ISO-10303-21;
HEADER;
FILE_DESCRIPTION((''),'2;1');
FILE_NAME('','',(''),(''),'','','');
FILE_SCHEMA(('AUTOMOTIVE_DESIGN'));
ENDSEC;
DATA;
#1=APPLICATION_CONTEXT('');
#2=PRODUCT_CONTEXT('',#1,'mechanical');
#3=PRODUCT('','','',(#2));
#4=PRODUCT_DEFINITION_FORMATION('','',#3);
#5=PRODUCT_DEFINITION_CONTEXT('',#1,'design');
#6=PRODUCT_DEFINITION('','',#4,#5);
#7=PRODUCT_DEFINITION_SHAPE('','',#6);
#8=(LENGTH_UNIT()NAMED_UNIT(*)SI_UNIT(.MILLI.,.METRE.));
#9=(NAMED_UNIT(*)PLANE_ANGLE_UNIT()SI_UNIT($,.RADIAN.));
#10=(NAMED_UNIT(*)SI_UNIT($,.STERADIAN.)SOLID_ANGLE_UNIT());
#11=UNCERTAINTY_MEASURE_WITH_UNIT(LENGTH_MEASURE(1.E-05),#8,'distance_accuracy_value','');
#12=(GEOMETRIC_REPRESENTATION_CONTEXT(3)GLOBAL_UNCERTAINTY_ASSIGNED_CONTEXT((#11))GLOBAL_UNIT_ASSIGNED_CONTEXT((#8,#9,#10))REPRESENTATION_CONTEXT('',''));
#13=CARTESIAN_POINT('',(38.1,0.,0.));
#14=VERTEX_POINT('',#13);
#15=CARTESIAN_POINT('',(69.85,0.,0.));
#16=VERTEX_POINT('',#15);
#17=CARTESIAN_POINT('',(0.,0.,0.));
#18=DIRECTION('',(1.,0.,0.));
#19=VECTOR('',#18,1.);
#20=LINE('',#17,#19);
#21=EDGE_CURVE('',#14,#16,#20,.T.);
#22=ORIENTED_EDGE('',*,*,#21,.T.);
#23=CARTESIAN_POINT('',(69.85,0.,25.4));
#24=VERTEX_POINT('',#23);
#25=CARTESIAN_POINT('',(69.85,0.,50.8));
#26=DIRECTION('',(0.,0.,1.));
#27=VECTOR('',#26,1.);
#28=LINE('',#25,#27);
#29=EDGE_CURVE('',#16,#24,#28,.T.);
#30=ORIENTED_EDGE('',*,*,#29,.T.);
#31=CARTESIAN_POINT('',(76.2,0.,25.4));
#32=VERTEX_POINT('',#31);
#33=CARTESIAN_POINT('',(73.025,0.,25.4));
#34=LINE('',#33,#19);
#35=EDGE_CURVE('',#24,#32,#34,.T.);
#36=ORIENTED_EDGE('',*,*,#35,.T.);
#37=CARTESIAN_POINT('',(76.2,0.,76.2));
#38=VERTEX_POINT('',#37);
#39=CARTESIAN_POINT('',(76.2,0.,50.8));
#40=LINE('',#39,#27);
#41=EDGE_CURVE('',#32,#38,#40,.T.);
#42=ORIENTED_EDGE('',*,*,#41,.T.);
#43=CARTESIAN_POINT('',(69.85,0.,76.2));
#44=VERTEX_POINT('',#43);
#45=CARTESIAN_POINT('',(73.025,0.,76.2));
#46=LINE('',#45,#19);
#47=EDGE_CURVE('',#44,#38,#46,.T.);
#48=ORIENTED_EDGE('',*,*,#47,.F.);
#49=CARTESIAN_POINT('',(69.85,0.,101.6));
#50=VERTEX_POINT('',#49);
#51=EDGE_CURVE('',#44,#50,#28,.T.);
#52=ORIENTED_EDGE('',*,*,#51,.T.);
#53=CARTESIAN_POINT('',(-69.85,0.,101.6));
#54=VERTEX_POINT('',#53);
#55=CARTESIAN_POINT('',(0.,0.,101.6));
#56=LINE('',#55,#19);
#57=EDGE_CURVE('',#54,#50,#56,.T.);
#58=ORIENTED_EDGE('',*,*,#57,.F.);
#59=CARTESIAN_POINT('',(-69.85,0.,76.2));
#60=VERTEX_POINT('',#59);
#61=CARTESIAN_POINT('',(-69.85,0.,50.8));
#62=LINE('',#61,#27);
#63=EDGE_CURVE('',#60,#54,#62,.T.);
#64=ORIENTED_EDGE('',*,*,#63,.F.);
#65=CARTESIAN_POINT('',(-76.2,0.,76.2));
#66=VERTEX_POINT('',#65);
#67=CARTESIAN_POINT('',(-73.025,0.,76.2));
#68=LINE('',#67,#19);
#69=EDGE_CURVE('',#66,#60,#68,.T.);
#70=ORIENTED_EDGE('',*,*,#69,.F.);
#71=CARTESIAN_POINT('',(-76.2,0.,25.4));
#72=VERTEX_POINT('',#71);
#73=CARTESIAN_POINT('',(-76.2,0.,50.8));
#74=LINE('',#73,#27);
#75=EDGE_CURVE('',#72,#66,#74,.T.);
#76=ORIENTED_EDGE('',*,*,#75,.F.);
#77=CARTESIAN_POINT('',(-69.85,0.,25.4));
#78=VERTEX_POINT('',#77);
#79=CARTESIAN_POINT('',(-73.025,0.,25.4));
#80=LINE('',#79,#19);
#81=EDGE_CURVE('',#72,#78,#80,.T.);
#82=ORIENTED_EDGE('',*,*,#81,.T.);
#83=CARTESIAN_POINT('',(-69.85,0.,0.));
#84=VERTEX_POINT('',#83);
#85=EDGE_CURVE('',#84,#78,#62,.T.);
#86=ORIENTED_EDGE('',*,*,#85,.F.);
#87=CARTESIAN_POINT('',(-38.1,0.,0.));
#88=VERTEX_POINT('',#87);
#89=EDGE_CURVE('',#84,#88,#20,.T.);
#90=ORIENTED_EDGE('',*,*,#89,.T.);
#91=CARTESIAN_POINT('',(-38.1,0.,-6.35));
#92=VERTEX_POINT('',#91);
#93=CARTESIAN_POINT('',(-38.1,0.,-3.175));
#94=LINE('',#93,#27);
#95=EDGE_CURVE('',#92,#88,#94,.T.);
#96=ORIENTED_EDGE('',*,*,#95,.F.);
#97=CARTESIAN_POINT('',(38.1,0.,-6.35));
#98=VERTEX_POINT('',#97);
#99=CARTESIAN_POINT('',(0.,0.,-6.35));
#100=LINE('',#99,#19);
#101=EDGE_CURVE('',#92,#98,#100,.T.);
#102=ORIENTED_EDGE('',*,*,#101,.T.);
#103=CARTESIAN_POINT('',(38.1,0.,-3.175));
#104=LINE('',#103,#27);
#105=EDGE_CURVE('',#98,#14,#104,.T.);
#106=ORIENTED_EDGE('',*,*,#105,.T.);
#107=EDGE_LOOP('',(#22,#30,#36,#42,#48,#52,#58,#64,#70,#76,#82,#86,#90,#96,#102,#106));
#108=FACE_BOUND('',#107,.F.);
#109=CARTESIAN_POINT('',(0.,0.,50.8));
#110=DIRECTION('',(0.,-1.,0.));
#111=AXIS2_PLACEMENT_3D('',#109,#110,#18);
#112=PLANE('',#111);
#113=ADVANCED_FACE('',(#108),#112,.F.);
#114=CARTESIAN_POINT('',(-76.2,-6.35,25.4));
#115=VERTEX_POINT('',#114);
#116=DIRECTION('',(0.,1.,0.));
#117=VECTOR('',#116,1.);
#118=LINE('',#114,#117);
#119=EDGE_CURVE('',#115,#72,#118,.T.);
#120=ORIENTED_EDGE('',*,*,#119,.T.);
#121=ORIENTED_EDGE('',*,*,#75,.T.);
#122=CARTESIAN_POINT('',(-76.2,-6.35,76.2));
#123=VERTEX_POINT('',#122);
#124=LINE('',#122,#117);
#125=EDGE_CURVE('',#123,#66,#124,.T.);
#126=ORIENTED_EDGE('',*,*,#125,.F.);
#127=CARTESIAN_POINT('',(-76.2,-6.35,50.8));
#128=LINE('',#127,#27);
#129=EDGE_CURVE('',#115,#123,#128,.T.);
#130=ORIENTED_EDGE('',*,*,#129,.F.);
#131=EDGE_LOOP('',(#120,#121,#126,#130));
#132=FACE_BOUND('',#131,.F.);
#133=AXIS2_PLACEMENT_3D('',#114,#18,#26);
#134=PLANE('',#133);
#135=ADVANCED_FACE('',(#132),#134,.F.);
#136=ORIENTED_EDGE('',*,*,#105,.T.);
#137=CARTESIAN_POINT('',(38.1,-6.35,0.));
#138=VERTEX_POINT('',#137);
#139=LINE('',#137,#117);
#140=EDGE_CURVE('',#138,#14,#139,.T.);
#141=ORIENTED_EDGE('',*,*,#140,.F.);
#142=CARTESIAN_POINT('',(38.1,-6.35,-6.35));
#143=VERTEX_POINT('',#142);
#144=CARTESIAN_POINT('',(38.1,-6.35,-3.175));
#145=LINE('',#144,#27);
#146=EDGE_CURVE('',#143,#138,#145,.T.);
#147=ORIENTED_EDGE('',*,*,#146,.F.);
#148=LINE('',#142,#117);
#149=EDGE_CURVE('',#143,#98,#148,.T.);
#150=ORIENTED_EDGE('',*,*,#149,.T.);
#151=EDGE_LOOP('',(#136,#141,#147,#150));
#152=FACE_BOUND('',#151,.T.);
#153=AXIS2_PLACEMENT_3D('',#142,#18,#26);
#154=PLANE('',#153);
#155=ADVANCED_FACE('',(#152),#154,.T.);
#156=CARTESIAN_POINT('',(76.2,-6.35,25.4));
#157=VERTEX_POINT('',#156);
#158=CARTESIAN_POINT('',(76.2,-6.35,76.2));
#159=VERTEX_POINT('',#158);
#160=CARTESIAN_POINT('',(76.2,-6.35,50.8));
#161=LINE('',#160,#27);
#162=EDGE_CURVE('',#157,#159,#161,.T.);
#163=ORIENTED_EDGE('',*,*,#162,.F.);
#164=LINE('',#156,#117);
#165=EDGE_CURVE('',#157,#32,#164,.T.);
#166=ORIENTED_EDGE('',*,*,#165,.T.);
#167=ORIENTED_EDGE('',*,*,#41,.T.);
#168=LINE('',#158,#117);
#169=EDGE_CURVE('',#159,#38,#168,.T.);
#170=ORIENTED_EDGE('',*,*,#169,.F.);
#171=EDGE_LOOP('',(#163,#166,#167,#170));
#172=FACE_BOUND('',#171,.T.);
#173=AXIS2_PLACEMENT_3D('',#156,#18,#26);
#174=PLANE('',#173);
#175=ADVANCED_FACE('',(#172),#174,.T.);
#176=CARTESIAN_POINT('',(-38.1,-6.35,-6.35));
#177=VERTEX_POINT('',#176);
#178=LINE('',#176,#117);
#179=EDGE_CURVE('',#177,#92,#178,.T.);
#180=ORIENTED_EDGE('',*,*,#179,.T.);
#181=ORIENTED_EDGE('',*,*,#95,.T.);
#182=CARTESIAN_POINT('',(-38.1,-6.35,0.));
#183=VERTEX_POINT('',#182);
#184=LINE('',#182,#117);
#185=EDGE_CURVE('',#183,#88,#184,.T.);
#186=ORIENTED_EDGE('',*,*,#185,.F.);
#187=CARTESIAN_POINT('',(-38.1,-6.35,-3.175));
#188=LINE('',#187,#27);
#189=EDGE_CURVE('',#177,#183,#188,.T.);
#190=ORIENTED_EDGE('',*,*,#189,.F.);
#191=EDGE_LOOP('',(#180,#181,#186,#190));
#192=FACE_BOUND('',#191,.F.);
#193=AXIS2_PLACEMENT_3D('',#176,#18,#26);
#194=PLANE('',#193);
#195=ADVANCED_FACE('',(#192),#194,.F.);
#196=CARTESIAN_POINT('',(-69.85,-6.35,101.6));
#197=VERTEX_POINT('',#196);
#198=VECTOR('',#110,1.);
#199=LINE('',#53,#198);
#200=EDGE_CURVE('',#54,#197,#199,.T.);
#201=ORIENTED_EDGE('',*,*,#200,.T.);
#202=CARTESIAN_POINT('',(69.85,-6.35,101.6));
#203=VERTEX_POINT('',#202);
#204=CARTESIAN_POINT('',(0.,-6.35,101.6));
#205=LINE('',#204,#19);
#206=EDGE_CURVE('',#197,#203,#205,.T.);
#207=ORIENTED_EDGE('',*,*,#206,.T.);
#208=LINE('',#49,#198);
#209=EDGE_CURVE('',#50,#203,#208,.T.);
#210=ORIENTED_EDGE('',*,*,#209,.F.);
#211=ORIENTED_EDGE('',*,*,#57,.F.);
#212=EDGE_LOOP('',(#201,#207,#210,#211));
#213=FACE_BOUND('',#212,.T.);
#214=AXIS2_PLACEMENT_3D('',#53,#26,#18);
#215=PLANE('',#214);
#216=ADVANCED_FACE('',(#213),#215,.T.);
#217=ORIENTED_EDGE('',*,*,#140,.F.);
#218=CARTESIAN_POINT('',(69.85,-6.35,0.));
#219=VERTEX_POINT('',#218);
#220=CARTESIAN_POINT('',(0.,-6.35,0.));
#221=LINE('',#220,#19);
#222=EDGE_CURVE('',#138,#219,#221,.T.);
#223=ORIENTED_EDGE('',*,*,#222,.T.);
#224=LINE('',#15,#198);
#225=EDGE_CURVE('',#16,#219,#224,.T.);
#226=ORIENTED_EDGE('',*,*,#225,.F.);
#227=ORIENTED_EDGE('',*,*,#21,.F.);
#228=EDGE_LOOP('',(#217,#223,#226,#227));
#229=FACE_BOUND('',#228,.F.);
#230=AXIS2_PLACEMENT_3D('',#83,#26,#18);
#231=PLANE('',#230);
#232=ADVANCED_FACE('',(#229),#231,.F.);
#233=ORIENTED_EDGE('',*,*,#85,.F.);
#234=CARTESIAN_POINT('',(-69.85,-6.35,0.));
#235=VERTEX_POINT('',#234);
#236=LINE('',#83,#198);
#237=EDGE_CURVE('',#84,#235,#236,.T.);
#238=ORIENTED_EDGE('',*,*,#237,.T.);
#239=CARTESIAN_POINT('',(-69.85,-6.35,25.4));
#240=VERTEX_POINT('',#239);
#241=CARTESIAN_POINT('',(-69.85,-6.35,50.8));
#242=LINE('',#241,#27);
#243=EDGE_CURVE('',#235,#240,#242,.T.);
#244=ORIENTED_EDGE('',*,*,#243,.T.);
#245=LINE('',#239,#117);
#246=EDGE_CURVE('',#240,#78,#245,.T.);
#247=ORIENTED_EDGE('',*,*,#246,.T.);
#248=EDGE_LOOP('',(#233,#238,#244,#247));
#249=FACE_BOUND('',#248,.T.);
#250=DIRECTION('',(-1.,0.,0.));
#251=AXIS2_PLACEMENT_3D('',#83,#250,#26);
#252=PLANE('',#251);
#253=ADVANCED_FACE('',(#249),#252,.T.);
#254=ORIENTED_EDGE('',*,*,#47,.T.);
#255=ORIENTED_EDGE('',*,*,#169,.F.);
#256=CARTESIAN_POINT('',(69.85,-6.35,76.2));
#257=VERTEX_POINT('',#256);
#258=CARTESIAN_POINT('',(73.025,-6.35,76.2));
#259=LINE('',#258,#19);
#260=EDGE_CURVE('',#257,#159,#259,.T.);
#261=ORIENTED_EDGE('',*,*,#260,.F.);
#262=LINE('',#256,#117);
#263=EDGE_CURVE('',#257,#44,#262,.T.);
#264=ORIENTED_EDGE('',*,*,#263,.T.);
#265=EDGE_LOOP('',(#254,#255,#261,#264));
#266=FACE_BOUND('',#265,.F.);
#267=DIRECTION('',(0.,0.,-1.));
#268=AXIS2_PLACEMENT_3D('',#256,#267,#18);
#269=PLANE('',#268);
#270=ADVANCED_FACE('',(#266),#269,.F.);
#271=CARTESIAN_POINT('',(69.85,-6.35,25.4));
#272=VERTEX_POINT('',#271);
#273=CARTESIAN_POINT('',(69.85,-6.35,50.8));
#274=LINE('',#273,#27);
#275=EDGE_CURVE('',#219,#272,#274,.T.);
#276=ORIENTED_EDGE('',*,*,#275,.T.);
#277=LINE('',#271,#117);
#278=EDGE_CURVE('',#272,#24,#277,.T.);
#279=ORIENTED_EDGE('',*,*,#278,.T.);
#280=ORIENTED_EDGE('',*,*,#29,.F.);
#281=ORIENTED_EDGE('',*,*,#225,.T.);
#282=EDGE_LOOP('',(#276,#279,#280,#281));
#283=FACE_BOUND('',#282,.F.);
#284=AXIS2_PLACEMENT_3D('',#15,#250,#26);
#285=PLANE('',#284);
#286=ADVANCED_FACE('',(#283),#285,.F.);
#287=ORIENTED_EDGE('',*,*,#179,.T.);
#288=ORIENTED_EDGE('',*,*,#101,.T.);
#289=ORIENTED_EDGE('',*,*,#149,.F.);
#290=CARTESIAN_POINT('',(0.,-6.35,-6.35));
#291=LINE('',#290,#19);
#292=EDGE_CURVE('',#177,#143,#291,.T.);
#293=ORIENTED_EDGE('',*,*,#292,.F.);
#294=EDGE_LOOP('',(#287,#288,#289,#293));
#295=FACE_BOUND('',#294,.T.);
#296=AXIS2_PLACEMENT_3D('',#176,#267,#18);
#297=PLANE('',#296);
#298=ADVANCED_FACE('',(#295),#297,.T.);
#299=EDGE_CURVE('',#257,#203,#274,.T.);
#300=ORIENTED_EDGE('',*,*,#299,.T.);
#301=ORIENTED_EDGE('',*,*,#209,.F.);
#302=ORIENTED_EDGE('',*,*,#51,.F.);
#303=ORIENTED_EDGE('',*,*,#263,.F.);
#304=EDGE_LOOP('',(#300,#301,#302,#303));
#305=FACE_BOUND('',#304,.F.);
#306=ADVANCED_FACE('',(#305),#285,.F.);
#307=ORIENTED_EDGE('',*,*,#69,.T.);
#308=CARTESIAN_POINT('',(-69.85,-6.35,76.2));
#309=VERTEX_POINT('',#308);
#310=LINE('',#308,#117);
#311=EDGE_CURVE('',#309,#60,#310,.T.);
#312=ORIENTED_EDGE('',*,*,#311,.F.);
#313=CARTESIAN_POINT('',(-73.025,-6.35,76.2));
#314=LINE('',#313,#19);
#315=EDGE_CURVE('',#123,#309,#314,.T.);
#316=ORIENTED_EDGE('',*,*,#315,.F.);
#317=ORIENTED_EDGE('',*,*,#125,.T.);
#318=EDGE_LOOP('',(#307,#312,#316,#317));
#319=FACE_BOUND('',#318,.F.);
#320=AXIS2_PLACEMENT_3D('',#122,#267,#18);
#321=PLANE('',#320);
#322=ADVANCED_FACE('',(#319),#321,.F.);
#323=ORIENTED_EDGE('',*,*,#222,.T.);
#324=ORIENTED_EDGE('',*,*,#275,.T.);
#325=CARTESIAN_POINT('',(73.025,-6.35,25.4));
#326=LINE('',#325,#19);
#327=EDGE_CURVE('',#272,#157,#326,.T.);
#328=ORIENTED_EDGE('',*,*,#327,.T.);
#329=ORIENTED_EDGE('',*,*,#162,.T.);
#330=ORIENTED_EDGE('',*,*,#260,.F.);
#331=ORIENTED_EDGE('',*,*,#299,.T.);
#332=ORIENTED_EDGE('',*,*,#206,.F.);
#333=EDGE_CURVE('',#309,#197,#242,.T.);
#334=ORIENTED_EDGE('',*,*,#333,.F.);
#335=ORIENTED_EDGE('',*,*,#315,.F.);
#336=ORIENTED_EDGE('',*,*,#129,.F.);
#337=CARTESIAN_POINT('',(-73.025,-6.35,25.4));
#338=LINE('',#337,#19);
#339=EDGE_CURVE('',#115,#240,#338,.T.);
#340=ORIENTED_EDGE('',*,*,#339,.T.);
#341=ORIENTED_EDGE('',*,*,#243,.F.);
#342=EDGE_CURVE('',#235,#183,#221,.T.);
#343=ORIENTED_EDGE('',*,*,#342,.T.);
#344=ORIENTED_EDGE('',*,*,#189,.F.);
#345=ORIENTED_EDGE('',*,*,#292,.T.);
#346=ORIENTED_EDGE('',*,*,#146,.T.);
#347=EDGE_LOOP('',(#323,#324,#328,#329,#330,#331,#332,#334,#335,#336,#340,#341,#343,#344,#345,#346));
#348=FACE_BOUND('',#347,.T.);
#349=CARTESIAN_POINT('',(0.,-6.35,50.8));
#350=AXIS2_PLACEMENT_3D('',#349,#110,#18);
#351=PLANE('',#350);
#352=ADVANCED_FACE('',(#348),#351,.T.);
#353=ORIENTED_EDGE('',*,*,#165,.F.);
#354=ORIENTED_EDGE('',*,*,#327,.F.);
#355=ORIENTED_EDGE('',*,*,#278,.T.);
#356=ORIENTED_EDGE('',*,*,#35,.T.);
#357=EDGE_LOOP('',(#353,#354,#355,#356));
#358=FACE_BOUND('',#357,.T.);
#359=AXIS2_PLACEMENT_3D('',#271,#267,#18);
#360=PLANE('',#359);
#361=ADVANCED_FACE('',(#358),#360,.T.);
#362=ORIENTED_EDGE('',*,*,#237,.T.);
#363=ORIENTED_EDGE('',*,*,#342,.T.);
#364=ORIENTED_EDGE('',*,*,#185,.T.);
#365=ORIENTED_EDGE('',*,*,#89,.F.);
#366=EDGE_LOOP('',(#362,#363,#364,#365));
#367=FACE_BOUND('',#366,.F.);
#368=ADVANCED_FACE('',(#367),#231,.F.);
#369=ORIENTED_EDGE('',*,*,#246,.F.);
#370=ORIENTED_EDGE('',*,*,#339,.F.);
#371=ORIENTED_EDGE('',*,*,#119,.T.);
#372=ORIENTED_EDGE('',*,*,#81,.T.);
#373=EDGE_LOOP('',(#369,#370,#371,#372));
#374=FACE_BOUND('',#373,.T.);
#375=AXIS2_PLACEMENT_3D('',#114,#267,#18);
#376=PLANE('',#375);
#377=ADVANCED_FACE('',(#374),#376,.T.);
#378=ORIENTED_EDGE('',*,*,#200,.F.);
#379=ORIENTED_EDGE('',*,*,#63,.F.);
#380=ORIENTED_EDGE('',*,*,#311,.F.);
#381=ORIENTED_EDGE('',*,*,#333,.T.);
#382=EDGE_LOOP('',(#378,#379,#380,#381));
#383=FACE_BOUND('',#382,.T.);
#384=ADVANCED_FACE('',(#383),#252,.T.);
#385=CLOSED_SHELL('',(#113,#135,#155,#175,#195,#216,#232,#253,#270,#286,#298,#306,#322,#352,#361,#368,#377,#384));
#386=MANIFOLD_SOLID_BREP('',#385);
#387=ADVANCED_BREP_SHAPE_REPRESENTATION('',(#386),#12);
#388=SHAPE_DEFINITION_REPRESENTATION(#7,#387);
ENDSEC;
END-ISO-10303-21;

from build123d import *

# Parameters (mm, degrees)
F0_W     = 139.7
F0_H     = 101.6
F1_DEPTH = 6.35
F2_W     = 76.2
F2_H     = 6.35
F3_DEPTH = 6.35
F4_W     = 6.35
F4_H     = 50.8
F5_DEPTH = 6.35


with BuildPart() as f1:
    # F0 (on Front) → F1 (new body)
    with BuildSketch(Plane.XZ):
        with Locations((0, 50.8)):
            Rectangle(F0_W, F0_H)
    extrude(amount=F1_DEPTH)

    # F2 (on face) → F3 (join)
    with BuildSketch(Plane.XZ.offset(6.35)):
        with Locations((0, -3.175)):
            Rectangle(F2_W, F2_H)
    extrude(amount=-F3_DEPTH)

    # F4 (on face) → F5 (join)
    with BuildSketch(Plane.XZ.offset(6.35)):
        with Locations((-73.025, 50.8)):
            Rectangle(F4_W, F4_H)
        with Locations((73.025, 50.8)):
            Rectangle(F4_W, F4_H)
    extrude(amount=-F5_DEPTH)


solid = f1.part
